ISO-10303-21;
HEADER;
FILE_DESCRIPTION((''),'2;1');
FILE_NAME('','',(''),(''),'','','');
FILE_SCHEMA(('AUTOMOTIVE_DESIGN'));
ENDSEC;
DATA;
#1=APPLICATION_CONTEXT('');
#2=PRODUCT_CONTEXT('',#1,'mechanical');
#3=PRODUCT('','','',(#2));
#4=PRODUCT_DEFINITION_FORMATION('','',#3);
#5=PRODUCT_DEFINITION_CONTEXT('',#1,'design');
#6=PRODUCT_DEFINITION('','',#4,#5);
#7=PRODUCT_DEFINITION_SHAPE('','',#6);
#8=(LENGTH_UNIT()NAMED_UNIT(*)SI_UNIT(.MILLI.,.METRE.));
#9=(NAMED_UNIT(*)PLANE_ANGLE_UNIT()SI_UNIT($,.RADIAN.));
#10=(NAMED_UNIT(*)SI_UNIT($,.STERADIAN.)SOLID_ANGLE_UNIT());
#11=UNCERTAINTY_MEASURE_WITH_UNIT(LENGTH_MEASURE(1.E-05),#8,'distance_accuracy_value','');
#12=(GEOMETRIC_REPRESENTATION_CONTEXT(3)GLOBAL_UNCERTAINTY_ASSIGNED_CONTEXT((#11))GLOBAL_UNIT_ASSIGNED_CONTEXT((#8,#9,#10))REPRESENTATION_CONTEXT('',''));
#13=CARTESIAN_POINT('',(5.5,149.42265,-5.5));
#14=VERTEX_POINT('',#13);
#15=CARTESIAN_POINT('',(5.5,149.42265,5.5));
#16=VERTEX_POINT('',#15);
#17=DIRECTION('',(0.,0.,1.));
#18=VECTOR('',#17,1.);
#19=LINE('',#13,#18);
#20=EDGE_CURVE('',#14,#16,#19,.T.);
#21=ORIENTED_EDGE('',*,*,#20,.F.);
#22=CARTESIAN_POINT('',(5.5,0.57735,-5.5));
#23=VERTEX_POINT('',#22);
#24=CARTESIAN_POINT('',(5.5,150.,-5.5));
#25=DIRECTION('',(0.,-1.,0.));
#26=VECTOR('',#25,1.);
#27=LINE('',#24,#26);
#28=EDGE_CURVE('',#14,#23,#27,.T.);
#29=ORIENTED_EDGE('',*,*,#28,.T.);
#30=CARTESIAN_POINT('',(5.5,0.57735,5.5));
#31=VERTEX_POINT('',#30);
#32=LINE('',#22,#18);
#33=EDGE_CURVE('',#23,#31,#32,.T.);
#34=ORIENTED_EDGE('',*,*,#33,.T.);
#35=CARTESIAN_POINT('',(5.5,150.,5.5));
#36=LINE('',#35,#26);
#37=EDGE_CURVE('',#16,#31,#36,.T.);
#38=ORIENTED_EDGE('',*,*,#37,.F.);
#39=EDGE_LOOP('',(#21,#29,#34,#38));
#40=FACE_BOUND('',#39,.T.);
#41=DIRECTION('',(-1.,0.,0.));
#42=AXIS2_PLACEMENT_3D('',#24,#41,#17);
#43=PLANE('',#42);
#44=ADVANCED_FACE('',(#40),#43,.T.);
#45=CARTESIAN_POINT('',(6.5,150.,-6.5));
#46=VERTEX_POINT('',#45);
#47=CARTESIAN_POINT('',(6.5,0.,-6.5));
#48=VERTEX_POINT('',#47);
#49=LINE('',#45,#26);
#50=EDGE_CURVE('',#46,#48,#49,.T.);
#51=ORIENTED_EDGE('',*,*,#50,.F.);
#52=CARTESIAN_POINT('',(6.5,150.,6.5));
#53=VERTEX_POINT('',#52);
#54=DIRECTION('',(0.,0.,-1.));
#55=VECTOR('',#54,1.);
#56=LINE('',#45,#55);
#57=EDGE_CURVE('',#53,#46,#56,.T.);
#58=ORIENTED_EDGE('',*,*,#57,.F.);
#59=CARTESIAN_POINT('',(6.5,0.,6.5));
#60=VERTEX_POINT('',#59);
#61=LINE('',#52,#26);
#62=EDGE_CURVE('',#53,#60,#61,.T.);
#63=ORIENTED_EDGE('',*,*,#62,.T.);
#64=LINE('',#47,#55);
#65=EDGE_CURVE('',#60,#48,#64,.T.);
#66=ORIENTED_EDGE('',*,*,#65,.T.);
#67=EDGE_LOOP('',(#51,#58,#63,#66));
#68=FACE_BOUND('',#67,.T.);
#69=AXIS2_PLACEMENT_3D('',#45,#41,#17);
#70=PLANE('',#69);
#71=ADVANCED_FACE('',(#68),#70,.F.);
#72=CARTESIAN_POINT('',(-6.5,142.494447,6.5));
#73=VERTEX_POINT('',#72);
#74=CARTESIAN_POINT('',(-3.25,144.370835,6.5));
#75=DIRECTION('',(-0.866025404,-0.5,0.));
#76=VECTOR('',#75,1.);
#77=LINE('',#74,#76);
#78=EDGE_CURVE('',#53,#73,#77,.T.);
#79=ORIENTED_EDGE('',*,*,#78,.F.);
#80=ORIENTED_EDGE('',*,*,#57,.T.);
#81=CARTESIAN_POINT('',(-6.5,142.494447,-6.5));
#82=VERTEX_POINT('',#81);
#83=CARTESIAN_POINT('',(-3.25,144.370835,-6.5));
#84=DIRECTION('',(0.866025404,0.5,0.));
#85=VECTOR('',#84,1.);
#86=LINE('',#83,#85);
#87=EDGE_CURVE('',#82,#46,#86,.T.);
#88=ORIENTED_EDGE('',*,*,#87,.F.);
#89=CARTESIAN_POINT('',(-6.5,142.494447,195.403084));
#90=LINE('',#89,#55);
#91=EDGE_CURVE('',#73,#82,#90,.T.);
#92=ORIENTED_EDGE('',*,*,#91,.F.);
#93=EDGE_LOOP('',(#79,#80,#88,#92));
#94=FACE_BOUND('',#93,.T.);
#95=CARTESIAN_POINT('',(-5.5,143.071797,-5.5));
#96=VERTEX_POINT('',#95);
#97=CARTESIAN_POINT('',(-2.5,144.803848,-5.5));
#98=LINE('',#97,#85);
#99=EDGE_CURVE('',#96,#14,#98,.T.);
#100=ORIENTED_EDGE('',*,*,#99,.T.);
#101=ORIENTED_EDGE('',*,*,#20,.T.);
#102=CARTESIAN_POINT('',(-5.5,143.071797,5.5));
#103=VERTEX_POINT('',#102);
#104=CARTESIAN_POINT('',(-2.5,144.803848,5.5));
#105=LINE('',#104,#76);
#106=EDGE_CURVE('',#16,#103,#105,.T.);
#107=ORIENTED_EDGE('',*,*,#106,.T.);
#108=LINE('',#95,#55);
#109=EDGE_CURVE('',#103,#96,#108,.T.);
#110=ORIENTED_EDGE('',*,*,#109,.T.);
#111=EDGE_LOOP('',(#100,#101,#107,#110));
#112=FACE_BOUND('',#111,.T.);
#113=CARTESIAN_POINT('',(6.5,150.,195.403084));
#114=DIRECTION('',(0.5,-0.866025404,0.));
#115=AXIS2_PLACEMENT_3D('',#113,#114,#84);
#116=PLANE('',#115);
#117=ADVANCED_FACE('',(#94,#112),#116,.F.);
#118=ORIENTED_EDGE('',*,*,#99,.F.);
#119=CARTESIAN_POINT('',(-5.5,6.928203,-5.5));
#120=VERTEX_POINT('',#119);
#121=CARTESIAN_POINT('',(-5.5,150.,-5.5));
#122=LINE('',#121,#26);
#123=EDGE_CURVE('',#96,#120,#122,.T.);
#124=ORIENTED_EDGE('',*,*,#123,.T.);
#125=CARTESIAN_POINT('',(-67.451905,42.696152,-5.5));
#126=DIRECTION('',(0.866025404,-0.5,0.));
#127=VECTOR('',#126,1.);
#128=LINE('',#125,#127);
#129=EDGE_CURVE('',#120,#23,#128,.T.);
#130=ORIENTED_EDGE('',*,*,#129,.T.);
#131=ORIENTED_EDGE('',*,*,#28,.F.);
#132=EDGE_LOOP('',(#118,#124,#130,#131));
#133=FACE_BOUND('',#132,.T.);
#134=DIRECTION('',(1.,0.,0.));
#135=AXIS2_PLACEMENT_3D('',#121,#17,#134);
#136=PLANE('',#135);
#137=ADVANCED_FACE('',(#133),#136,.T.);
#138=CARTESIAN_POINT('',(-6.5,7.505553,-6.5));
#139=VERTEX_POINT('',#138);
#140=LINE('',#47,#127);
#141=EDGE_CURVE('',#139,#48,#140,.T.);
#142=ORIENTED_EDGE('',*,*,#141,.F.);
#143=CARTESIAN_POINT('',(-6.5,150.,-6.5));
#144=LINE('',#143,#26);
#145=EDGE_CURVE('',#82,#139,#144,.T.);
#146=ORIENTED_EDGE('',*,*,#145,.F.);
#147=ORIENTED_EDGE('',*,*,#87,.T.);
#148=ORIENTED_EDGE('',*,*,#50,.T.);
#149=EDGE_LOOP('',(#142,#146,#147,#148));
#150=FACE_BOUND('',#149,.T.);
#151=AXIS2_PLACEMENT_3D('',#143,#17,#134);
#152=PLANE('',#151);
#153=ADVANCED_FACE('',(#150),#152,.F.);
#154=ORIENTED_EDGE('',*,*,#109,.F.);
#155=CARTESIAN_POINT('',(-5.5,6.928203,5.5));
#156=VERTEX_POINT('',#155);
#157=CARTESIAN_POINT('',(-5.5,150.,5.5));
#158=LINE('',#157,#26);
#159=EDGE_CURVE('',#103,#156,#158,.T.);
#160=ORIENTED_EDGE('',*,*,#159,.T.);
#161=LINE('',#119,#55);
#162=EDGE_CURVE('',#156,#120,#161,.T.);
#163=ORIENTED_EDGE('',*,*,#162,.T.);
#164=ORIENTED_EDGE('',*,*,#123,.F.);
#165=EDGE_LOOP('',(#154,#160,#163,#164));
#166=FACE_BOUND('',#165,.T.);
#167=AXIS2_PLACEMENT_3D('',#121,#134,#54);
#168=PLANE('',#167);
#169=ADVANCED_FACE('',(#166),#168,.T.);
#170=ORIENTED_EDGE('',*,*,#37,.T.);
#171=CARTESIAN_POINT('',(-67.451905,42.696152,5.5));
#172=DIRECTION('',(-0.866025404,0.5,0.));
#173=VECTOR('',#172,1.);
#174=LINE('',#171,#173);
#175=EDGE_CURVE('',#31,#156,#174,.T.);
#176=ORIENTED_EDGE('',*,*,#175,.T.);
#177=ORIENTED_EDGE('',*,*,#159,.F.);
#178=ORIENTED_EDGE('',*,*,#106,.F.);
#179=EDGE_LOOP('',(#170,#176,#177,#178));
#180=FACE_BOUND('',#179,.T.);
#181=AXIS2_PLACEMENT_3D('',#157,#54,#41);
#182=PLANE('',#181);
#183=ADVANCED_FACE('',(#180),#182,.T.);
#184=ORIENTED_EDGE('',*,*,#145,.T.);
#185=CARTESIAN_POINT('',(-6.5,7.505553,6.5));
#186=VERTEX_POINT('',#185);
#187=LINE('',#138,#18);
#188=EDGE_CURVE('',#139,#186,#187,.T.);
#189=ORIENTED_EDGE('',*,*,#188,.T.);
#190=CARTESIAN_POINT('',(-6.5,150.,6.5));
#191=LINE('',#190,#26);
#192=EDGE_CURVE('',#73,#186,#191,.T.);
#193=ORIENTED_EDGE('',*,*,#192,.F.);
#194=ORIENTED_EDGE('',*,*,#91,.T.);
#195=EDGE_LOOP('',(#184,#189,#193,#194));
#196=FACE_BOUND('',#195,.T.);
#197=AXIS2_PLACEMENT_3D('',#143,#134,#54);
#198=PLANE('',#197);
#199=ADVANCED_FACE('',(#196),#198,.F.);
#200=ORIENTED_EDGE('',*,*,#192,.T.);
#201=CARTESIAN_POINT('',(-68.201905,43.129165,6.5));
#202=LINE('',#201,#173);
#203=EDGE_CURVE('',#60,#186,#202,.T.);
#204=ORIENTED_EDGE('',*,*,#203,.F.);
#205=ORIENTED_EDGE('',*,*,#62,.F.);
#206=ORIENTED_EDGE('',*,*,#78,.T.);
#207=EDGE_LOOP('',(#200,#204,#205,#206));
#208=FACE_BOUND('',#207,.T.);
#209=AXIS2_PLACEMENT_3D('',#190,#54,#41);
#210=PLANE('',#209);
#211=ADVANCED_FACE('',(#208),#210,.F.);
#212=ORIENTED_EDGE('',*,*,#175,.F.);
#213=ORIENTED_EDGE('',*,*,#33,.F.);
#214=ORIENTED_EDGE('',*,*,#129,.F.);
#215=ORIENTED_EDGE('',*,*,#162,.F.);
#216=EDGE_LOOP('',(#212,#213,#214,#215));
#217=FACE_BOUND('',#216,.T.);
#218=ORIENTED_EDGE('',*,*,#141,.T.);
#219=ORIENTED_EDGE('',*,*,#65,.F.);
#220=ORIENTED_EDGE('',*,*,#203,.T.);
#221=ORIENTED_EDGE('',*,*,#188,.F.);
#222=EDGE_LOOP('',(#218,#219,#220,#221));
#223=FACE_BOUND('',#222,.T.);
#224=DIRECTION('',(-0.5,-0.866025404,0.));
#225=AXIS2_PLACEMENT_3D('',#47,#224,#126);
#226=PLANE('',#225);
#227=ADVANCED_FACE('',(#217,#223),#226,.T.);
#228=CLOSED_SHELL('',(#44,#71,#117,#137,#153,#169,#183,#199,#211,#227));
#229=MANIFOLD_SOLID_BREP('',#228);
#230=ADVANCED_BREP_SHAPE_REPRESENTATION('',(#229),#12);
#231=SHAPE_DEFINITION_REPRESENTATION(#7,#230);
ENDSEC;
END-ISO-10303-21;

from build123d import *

# Parameters (mm, degrees)
SKETCH1_W               = 13
SKETCH1_H               = 13
SKETCH1_W_2             = 11
SKETCH1_H_2             = 11
BOSS_EXTRUDE1_DEPTH     = 150
CUT_EXTRUDE1_DEPTH      = 1
CUT_EXTRUDE1_DEPTH_BACK = 14
SKETCH3_OUTSIDE_W       = 45.224
SKETCH3_OUTSIDE_H       = 182.224
CUT_EXTRUDE2_DEPTH      = 1
CUT_EXTRUDE2_DEPTH_BACK = 14


with BuildPart() as part:
    # Sketch1 → Boss-Extrude1 (new body)
    with BuildSketch(Plane(origin=(0, 0, 0), x_dir=(1, 0, 0), z_dir=(0, 1, 0))):
        Rectangle(SKETCH1_W, SKETCH1_H)
        Rectangle(SKETCH1_W_2, SKETCH1_H_2, mode=Mode.SUBTRACT)
    extrude(amount=BOSS_EXTRUDE1_DEPTH)

    # Sketch2 → Cut-Extrude1 (cut, two sides)
    with BuildSketch(Plane.XY.offset(6.5)) as cut_extrude1_sk:
        Polygon((275.941771788, 305.562279473), (6.5, 150), (-6.5, 142.494446501), (-275.941771788, -13.067832972), (-587.066330733, 525.815710604), (-35.182787157, 844.445823048), align=None)
    extrude(amount=CUT_EXTRUDE1_DEPTH, mode=Mode.SUBTRACT)
    extrude(cut_extrude1_sk.sketch, amount=-CUT_EXTRUDE1_DEPTH_BACK, mode=Mode.SUBTRACT)

    # Sketch3 outside → Cut-Extrude2 (cut, two sides)
    with BuildSketch(Plane.XY.offset(6.5)) as cut_extrude2_sk:
        with Locations((0, 75)):
            Rectangle(SKETCH3_OUTSIDE_W, SKETCH3_OUTSIDE_H)
        Polygon((6.5, 0), (-6.5, 7.505553499), (-6.5, 142.494446501), (6.5, 150), align=None, mode=Mode.SUBTRACT)
    extrude(amount=CUT_EXTRUDE2_DEPTH, mode=Mode.SUBTRACT)
    extrude(cut_extrude2_sk.sketch, amount=-CUT_EXTRUDE2_DEPTH_BACK, mode=Mode.SUBTRACT)


solid = part.part
